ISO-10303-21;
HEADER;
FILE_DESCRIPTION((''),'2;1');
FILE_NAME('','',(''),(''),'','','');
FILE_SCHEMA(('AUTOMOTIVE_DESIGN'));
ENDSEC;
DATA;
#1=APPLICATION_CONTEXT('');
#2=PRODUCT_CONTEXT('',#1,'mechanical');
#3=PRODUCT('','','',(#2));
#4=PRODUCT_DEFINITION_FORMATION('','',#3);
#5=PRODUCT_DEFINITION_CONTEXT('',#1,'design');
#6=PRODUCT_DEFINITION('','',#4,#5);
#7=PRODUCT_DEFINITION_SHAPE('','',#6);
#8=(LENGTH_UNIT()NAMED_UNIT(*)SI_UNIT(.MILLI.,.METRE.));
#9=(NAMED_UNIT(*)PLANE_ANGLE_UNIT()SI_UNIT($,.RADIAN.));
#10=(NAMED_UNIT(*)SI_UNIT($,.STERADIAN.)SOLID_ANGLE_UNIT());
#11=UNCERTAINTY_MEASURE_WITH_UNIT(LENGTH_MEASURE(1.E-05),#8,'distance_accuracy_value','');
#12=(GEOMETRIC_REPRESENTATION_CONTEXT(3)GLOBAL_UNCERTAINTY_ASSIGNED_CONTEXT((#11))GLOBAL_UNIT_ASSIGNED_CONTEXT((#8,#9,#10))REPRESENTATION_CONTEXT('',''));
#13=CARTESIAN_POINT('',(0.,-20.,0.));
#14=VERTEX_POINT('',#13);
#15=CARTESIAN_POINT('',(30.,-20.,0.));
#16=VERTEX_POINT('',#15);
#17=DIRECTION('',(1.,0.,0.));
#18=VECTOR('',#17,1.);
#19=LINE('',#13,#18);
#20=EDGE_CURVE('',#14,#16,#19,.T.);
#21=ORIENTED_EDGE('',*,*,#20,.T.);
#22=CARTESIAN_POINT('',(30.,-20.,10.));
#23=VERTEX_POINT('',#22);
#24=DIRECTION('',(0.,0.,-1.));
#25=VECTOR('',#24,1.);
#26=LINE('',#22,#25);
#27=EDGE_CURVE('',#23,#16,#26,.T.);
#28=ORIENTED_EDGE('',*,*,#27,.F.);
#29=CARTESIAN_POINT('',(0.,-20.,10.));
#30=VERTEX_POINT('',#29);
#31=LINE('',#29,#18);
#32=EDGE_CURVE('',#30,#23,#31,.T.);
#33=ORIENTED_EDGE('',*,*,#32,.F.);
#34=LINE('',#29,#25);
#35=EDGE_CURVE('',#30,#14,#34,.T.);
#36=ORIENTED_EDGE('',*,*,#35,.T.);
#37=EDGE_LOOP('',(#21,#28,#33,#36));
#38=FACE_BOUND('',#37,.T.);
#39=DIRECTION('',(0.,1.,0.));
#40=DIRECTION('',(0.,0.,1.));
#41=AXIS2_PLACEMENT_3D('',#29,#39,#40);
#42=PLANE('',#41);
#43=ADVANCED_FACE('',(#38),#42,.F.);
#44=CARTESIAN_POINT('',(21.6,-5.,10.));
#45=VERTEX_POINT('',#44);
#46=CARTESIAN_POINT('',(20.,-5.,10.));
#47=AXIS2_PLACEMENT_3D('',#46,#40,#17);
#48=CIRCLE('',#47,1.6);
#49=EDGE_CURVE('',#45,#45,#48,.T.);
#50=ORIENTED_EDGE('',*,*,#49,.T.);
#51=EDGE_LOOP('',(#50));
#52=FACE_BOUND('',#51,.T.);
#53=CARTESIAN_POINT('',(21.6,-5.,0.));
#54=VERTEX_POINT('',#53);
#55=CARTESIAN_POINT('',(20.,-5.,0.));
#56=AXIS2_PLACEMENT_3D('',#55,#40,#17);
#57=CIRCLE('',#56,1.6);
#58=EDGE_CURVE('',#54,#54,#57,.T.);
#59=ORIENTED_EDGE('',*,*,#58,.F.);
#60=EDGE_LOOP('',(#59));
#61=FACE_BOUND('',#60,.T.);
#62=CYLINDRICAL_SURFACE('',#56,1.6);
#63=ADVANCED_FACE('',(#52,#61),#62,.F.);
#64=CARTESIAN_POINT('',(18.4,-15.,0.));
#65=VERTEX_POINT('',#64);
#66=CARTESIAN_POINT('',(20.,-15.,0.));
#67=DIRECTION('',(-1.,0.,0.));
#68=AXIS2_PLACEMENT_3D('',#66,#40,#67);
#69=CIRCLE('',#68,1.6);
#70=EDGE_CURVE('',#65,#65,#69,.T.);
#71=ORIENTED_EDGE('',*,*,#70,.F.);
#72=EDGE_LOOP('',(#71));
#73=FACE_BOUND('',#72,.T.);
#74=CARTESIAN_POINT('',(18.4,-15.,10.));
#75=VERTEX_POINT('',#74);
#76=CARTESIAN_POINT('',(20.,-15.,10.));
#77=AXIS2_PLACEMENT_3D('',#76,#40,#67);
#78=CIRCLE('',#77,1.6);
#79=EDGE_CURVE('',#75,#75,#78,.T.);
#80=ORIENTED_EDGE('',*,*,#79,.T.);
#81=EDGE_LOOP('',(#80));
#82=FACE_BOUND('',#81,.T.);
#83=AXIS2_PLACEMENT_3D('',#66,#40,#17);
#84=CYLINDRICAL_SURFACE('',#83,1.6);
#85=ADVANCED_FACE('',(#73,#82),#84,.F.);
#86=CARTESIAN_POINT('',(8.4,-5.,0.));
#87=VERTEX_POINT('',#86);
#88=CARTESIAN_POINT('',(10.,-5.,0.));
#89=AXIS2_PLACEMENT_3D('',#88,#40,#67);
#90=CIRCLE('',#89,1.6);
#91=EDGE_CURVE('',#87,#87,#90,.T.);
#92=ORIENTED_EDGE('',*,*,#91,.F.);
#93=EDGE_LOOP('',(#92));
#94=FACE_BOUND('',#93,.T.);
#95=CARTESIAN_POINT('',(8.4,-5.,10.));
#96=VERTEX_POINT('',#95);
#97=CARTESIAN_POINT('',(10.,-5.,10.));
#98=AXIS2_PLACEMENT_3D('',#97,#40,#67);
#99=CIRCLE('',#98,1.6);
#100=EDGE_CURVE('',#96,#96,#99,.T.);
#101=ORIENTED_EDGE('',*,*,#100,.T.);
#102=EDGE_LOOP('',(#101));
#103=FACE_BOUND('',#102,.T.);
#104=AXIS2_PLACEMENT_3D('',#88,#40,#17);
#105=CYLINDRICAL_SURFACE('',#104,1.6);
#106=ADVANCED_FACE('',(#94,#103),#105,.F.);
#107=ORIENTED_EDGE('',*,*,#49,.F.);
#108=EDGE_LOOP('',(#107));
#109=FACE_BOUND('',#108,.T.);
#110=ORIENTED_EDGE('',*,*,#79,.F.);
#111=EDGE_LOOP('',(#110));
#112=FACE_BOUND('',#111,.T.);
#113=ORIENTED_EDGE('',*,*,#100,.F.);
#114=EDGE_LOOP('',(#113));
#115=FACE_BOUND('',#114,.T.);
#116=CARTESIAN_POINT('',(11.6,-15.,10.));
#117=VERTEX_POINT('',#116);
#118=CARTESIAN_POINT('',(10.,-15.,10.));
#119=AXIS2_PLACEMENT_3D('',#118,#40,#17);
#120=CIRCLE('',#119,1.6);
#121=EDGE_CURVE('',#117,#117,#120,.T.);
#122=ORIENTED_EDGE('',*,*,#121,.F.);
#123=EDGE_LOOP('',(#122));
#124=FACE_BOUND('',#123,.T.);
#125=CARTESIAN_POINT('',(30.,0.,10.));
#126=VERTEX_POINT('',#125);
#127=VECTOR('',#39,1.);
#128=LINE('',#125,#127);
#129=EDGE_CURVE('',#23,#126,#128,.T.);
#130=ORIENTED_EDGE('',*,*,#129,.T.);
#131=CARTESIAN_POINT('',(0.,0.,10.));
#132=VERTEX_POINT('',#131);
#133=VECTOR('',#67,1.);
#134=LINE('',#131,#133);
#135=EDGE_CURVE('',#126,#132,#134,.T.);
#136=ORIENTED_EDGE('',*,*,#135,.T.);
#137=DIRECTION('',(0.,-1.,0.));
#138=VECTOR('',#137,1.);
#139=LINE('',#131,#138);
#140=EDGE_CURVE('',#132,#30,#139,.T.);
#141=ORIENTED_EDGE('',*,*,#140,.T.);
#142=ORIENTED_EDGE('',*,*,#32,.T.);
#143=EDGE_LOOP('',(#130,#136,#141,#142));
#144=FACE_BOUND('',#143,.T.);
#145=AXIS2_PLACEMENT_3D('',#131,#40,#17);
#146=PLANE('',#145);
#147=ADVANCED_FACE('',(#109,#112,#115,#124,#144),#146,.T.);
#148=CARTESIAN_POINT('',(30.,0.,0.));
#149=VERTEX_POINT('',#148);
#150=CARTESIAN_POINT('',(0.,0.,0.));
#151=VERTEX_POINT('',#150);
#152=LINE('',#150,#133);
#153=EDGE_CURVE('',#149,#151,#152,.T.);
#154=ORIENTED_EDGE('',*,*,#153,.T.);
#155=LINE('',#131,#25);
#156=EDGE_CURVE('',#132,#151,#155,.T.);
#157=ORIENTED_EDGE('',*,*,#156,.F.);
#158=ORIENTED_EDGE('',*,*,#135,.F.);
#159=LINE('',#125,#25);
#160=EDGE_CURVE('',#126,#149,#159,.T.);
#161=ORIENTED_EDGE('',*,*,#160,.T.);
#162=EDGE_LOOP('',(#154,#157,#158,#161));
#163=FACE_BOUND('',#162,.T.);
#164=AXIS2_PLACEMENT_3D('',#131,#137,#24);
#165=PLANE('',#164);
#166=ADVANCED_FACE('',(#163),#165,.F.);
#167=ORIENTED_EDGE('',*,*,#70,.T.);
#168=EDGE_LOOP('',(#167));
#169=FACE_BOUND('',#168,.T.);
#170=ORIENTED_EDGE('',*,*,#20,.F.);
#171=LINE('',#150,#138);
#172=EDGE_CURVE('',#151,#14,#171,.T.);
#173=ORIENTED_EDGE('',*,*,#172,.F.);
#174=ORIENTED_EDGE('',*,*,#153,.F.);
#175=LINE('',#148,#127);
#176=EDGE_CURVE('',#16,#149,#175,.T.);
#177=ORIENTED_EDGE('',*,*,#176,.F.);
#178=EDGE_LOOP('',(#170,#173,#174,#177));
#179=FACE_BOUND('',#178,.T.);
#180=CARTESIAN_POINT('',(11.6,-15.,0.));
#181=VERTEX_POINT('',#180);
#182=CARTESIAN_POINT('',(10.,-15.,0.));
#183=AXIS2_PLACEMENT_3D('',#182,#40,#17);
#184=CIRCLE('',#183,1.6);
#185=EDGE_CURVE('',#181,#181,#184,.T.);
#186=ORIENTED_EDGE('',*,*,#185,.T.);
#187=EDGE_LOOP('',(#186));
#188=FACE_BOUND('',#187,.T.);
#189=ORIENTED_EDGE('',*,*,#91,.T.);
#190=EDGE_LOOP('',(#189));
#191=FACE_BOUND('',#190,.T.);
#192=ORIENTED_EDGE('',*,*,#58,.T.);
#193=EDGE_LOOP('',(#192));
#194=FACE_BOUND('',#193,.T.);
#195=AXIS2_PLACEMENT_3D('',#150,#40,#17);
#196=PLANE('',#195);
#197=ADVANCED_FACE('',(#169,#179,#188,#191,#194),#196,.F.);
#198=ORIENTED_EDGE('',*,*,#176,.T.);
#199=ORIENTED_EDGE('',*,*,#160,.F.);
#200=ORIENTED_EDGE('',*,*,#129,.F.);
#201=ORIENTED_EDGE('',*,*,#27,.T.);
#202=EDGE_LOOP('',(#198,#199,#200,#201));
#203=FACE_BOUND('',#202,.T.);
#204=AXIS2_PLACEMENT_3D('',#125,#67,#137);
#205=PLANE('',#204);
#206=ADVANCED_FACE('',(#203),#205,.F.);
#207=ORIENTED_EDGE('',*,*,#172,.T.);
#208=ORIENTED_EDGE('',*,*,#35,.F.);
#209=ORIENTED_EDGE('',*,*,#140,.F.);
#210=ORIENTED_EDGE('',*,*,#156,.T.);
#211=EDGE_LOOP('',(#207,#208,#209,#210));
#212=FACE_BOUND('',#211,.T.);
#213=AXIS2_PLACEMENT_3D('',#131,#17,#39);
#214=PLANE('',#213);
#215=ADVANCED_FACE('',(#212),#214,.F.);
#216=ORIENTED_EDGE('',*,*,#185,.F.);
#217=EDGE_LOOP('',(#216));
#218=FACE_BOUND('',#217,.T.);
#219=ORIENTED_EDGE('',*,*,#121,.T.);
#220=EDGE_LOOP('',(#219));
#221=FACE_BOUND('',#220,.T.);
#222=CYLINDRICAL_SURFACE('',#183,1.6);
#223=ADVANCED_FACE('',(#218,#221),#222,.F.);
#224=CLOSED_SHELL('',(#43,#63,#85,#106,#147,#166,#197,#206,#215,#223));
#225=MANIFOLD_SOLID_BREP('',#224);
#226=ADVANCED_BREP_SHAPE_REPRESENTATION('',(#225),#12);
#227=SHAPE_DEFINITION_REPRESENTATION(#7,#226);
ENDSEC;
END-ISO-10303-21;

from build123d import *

# Parameters (mm, degrees)
SKETCH_1_W          = 30
SKETCH_1_H          = 20
EXTRUDE_1_DEPTH     = 10
SKETCH_2_R          = 1.6
CUT_EXTRUDE_1_DEPTH = 38.416573868


with BuildPart() as part:
    # 草图1 → 凸台-拉伸1 (new body)
    with BuildSketch(Plane.XY):
        with Locations((15, -10)):
            Rectangle(SKETCH_1_W, SKETCH_1_H)
    extrude(amount=EXTRUDE_1_DEPTH)

    # 草图2 → 切除-拉伸1 (cut, through all)
    with BuildSketch(Plane.XY.offset(10)):
        with Locations(Location((10, -5, 0), (0, 0, 180))):
            Circle(SKETCH_2_R)
        with Locations((10, -15)):
            Circle(SKETCH_2_R)
        with Locations(Location((20, -15, 0), (0, 0, 180))):
            Circle(SKETCH_2_R)
        with Locations((20, -5)):
            Circle(SKETCH_2_R)
    extrude(amount=-CUT_EXTRUDE_1_DEPTH, mode=Mode.SUBTRACT)


solid = part.part
